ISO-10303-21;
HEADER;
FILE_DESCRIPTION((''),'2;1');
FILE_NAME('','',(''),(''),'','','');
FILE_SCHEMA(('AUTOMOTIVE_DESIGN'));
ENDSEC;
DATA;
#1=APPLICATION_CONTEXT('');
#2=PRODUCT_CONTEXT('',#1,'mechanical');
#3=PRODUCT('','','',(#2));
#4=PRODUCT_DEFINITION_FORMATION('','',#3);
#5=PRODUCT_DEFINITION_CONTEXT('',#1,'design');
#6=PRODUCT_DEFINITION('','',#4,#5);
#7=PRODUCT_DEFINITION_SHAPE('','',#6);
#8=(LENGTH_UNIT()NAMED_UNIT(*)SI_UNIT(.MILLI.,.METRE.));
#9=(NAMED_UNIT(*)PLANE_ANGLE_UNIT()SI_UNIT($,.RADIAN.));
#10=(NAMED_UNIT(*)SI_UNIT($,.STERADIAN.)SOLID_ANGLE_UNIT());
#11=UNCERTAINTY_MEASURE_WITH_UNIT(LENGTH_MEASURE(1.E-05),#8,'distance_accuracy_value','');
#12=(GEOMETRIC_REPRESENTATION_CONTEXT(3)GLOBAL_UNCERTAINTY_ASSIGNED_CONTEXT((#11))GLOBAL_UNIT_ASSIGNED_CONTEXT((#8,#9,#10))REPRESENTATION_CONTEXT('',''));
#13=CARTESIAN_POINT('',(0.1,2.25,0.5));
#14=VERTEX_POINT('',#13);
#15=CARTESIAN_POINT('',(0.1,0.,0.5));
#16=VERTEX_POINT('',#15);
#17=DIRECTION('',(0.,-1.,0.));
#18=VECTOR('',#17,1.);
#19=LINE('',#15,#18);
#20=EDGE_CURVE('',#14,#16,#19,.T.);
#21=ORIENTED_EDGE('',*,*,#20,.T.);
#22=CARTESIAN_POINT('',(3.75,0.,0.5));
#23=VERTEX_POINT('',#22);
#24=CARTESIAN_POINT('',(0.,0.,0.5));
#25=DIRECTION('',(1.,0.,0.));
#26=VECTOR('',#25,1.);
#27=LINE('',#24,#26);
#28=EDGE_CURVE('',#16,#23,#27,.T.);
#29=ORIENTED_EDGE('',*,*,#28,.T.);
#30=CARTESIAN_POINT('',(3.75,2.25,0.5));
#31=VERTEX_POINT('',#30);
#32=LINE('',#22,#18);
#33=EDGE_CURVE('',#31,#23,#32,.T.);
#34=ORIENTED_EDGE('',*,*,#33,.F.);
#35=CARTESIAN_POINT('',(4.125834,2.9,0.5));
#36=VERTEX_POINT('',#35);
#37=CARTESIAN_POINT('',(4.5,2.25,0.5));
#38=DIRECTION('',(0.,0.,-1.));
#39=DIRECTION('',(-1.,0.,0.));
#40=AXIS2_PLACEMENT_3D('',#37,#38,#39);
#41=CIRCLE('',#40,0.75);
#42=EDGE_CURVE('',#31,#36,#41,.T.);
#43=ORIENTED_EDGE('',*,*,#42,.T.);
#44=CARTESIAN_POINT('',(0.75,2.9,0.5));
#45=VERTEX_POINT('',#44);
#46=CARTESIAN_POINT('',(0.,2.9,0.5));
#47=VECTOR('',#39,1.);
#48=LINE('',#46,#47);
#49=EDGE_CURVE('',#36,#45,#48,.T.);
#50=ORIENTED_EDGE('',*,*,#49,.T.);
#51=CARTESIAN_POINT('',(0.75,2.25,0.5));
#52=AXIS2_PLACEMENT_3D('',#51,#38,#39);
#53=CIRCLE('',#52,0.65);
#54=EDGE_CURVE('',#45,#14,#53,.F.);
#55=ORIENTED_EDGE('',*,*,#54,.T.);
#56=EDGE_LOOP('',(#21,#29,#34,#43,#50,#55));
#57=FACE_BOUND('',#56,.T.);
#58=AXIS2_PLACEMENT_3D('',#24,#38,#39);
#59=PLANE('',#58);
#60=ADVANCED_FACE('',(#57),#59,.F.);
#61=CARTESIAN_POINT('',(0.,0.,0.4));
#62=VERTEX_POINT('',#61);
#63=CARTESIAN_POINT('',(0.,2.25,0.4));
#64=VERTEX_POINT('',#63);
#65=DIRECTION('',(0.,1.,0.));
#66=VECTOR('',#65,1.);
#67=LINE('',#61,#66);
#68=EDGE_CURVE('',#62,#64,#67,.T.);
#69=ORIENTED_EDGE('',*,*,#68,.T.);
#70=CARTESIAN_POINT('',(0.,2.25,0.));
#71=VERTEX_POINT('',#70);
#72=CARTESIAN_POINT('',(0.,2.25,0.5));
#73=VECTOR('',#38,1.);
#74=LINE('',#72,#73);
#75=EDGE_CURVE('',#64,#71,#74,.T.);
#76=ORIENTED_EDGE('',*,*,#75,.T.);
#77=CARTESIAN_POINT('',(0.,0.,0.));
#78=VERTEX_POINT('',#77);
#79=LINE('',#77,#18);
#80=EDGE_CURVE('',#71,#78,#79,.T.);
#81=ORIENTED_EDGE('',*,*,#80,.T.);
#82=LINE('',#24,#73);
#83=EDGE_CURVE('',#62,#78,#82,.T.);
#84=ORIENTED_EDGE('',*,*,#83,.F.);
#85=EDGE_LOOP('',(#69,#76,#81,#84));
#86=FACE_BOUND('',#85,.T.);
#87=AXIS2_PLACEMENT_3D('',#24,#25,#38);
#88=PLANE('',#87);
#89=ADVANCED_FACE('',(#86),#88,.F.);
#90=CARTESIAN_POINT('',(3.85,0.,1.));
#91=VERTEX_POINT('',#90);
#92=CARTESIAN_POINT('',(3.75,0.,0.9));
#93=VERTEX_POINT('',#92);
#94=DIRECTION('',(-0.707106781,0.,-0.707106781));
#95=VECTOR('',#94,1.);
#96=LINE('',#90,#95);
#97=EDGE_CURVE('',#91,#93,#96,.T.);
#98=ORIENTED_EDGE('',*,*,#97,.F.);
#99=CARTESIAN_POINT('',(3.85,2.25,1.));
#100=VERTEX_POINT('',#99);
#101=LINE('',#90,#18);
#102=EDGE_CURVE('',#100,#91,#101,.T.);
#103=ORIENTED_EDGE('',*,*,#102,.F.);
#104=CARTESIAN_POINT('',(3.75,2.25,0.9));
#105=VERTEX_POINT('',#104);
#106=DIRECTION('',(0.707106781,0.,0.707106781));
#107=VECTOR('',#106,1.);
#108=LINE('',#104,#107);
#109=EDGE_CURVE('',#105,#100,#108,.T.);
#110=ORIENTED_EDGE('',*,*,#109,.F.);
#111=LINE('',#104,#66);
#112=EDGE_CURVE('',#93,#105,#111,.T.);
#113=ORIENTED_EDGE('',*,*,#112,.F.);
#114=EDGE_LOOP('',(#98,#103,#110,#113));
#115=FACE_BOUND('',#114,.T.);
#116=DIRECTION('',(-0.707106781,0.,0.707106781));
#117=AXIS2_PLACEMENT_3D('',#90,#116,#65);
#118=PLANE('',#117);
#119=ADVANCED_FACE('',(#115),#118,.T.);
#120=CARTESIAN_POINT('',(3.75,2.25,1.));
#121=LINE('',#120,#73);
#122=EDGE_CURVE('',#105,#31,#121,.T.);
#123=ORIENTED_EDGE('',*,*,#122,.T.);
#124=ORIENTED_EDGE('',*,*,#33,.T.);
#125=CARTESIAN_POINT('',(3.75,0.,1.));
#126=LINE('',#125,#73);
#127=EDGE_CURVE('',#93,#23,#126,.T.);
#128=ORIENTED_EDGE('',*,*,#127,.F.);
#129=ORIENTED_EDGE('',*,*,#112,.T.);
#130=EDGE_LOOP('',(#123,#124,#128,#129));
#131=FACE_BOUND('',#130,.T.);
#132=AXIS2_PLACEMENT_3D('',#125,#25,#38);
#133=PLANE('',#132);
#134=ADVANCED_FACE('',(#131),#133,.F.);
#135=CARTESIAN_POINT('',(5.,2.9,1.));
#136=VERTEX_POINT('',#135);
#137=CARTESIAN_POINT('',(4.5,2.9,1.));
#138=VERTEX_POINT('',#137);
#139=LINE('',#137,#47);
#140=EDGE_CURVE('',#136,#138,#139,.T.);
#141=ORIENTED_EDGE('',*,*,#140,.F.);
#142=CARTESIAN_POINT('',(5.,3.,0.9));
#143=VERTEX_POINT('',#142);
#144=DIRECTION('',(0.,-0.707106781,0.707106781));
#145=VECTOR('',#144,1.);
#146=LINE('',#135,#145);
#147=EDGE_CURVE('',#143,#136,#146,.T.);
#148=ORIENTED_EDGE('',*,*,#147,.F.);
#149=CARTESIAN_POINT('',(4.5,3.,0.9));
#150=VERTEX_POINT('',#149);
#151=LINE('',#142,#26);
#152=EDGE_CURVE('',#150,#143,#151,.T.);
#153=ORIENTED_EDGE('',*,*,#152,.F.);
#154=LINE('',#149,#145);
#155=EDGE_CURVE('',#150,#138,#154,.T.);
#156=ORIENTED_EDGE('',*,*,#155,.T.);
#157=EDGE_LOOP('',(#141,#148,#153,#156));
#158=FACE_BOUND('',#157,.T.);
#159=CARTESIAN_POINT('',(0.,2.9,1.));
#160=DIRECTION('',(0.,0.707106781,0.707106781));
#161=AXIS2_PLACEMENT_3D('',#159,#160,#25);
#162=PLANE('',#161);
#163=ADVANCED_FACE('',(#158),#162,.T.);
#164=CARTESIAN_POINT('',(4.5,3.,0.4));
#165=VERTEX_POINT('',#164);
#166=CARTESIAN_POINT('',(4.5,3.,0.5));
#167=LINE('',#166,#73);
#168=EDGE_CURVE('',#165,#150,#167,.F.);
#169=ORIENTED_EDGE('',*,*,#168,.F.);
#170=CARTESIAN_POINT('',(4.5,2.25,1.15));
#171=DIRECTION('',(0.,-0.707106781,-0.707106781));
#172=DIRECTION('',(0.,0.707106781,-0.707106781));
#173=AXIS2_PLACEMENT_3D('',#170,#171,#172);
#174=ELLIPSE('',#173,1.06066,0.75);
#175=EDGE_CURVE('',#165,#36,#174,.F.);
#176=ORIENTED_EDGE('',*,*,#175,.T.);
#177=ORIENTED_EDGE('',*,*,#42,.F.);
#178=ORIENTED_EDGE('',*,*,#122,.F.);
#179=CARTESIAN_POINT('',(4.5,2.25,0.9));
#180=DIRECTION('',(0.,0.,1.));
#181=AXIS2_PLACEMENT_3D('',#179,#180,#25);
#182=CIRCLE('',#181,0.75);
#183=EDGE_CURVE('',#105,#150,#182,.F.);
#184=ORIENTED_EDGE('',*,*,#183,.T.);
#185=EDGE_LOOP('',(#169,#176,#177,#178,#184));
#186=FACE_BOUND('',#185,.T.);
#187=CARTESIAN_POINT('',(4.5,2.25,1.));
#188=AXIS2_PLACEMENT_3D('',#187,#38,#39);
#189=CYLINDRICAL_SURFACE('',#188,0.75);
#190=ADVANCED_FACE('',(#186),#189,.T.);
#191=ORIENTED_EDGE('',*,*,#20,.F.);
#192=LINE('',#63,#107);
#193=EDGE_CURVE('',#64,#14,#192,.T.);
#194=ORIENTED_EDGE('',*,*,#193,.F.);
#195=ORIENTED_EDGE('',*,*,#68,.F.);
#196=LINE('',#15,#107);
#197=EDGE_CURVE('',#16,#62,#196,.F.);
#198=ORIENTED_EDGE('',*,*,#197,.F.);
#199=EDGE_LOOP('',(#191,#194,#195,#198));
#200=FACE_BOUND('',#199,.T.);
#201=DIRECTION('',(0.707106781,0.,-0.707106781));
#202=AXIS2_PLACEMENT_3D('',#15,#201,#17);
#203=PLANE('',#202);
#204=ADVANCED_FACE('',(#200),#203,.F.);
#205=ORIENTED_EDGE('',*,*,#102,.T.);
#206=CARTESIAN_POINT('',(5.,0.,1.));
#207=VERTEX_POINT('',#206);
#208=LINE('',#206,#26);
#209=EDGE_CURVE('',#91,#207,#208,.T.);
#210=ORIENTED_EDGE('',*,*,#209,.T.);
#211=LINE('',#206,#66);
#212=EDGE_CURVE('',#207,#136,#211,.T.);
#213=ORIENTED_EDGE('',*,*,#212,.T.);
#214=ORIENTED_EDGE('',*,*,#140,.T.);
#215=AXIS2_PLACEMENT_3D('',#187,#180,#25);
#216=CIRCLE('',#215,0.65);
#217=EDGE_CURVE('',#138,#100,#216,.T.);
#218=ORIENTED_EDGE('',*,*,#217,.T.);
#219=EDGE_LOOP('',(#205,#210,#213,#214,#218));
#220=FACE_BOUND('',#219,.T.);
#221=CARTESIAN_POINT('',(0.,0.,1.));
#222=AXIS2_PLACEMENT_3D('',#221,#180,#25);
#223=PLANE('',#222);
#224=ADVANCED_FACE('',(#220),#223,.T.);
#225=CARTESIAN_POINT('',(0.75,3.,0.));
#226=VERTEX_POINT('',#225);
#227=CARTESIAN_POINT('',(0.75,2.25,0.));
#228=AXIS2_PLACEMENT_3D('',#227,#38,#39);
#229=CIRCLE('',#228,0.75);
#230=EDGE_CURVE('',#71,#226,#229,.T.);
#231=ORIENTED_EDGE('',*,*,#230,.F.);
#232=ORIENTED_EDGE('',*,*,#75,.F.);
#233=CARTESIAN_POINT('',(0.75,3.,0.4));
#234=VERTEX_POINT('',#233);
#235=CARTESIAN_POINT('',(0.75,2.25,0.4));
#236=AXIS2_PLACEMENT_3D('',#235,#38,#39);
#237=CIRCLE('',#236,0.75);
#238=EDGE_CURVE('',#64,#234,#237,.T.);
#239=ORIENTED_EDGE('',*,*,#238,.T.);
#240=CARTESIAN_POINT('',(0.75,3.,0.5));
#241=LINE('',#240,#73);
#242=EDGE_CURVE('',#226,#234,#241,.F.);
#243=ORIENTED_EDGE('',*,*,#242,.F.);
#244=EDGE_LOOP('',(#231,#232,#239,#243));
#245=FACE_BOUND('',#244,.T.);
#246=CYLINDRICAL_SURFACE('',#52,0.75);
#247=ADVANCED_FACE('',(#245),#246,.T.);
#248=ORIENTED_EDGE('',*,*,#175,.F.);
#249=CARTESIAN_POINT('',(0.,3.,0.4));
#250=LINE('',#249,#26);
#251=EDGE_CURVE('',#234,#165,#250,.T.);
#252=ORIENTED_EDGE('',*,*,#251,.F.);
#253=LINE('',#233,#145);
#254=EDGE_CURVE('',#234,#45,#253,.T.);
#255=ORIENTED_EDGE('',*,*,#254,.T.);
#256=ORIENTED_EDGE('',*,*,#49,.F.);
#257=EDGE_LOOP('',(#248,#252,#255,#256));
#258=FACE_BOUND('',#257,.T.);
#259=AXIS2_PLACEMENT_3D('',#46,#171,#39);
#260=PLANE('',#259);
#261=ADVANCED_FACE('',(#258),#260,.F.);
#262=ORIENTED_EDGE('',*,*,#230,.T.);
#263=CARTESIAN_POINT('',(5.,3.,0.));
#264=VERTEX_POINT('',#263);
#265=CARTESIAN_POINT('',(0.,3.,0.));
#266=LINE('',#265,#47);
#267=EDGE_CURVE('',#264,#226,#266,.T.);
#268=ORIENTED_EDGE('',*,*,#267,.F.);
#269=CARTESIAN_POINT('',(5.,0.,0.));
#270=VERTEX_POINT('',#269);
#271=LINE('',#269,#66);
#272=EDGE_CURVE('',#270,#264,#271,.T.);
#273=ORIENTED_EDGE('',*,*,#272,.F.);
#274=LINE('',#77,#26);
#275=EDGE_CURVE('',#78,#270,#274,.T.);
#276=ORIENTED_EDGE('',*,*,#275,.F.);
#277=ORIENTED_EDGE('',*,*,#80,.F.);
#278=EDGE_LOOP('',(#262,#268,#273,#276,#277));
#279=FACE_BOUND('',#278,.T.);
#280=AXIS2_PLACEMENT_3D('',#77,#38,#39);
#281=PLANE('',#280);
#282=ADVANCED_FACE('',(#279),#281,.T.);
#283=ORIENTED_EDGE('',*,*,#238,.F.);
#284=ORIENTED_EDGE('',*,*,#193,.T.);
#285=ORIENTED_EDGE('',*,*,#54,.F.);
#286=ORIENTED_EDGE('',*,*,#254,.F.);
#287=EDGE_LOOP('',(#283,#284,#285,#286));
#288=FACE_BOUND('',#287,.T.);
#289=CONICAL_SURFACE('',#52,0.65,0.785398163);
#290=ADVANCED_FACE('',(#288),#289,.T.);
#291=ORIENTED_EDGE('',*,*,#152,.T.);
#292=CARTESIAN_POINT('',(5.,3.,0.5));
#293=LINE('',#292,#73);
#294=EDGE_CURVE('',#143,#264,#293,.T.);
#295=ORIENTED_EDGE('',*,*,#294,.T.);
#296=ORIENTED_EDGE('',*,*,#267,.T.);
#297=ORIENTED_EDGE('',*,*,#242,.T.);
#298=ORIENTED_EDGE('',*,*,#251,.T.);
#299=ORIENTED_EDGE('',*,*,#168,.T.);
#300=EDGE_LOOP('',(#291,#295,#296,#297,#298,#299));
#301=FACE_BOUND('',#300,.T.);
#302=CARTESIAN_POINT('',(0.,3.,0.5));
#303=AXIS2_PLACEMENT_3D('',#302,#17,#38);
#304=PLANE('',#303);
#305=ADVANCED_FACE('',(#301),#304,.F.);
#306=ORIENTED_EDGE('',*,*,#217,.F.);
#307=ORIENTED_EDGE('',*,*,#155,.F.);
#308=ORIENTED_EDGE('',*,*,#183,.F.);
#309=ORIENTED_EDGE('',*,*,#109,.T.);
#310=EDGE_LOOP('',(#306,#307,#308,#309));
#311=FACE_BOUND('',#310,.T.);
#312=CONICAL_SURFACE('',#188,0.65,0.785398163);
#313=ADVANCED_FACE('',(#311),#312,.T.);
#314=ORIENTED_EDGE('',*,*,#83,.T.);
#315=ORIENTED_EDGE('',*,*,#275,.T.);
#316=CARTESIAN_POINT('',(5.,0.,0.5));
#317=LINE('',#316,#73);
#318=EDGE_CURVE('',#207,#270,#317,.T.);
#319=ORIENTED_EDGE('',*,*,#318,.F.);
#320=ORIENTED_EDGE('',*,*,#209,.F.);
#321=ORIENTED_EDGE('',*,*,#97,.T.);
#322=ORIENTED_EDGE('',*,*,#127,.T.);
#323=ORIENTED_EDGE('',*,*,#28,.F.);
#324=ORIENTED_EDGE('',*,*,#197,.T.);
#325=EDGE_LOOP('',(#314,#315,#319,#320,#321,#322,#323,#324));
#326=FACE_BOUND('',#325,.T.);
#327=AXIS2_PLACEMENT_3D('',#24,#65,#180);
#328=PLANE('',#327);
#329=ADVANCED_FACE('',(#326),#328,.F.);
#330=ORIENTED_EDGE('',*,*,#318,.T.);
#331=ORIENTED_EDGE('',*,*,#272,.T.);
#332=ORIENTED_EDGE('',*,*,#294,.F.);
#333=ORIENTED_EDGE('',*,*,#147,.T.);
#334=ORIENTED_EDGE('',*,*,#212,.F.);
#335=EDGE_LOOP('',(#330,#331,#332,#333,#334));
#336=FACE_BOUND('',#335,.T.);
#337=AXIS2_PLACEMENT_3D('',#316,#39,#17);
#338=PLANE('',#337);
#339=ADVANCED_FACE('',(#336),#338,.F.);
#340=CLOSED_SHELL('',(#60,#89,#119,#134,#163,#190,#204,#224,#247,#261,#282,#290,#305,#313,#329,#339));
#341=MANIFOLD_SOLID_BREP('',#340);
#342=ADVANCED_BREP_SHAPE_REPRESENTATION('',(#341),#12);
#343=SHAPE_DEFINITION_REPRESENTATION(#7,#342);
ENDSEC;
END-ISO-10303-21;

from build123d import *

# Parameters (mm, degrees)
SKETCH1_W           = 5
SKETCH1_H           = 3
BOSS_EXTRUDE1_DEPTH = 0.5
SKETCH2_W           = 1.25
SKETCH2_H           = 3
BOSS_EXTRUDE3_DEPTH = 0.5
FILLET1_R           = 0.75
CHAMFER1_SIZE       = 0.1


with BuildPart() as part:
    # Sketch1 → Boss-Extrude1 (new body)
    with BuildSketch(Plane.XY):
        with Locations((2.5, 1.5)):
            Rectangle(SKETCH1_W, SKETCH1_H)
    extrude(amount=BOSS_EXTRUDE1_DEPTH)

    # Sketch2 → Boss-Extrude3 (add)
    with BuildSketch(Plane.XY.offset(0.5)):
        with Locations((4.375, 1.5)):
            Rectangle(SKETCH2_W, SKETCH2_H)
    extrude(amount=BOSS_EXTRUDE3_DEPTH)

    # Fillet1
    fillet1_edges = [part.edges().sort_by_distance(p)[0] for p in [
        (3.75, 3, 0.75),
        (0, 3, 0.25),
    ]]
    fillet(fillet1_edges, radius=FILLET1_R)

    # Chamfer1
    chamfer1_edges = [part.edges().sort_by_distance(p)[0] for p in [
        (2.625, 3, 0.5),
        (4.75, 3, 1),
        (3.75, 1.125, 1),
        (3.969669914, 2.780330086, 1),
        (0, 1.125, 0.5),
        (0.219669914, 2.780330086, 0.5),
    ]]
    chamfer(chamfer1_edges, length=CHAMFER1_SIZE)


solid = part.part
